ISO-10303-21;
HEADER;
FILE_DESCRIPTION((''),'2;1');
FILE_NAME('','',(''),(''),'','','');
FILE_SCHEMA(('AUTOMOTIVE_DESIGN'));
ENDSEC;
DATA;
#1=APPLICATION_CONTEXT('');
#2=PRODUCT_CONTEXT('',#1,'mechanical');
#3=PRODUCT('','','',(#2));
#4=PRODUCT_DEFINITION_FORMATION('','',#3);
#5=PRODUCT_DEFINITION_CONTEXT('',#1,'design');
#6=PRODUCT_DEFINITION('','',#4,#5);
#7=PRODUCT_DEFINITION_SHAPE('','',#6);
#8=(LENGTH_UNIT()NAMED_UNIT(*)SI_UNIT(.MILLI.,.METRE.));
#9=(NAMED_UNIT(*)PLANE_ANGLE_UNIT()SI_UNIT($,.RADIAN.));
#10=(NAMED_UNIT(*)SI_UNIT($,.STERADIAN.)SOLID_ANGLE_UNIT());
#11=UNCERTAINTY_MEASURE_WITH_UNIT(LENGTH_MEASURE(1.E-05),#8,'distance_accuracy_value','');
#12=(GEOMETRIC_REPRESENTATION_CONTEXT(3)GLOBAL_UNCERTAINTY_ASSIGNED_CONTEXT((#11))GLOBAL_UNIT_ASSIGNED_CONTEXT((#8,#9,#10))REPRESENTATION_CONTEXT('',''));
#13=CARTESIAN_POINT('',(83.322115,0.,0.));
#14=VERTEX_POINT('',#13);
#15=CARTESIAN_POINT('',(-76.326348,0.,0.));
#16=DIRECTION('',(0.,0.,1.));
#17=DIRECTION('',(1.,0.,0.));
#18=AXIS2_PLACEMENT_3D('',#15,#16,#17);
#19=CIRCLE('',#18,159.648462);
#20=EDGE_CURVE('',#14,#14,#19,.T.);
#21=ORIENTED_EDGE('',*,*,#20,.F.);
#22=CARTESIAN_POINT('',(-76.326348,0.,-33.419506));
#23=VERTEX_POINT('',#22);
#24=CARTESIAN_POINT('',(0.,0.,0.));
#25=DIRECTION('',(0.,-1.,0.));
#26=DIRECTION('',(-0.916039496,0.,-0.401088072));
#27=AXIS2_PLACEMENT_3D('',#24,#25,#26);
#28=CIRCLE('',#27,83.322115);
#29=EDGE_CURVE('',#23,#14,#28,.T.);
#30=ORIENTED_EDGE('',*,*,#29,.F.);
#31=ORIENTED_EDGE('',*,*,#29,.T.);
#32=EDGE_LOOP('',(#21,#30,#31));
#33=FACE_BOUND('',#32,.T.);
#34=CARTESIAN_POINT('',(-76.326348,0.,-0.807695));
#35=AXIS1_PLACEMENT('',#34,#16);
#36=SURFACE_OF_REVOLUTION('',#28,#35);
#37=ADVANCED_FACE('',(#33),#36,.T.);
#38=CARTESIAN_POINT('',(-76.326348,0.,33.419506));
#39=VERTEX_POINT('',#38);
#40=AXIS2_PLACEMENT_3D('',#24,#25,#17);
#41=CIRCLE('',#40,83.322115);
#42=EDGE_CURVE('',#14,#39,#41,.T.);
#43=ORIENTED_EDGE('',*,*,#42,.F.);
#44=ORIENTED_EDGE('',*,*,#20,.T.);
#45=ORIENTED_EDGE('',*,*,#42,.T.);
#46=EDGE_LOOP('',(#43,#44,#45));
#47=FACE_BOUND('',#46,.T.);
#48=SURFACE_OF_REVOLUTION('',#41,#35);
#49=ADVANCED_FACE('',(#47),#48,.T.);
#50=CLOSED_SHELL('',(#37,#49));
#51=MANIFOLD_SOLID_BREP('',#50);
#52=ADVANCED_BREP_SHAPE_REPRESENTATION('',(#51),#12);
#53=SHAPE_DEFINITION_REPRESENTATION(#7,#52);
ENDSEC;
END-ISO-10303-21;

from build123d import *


with BuildPart() as f1:
    # F0 (on Front) → F1 (revolve)
    with BuildSketch(Plane.XZ):
        with BuildLine():
            Line((-76.3263478875, 33.419506283), (-76.3263478875, -33.419506283))
            ThreePointArc((-76.3263478875, -33.419506283), (17.0719371495, -81.554421977), (83.3221146038, 0))
            ThreePointArc((83.3221146038, 0), (17.0719371495, 81.554421977), (-76.3263478875, 33.419506283))
        make_face()
    revolve(axis=Axis((-76.3263478875, 0, -0.8076950908), (0, 0, 1)))


solid = f1.part
